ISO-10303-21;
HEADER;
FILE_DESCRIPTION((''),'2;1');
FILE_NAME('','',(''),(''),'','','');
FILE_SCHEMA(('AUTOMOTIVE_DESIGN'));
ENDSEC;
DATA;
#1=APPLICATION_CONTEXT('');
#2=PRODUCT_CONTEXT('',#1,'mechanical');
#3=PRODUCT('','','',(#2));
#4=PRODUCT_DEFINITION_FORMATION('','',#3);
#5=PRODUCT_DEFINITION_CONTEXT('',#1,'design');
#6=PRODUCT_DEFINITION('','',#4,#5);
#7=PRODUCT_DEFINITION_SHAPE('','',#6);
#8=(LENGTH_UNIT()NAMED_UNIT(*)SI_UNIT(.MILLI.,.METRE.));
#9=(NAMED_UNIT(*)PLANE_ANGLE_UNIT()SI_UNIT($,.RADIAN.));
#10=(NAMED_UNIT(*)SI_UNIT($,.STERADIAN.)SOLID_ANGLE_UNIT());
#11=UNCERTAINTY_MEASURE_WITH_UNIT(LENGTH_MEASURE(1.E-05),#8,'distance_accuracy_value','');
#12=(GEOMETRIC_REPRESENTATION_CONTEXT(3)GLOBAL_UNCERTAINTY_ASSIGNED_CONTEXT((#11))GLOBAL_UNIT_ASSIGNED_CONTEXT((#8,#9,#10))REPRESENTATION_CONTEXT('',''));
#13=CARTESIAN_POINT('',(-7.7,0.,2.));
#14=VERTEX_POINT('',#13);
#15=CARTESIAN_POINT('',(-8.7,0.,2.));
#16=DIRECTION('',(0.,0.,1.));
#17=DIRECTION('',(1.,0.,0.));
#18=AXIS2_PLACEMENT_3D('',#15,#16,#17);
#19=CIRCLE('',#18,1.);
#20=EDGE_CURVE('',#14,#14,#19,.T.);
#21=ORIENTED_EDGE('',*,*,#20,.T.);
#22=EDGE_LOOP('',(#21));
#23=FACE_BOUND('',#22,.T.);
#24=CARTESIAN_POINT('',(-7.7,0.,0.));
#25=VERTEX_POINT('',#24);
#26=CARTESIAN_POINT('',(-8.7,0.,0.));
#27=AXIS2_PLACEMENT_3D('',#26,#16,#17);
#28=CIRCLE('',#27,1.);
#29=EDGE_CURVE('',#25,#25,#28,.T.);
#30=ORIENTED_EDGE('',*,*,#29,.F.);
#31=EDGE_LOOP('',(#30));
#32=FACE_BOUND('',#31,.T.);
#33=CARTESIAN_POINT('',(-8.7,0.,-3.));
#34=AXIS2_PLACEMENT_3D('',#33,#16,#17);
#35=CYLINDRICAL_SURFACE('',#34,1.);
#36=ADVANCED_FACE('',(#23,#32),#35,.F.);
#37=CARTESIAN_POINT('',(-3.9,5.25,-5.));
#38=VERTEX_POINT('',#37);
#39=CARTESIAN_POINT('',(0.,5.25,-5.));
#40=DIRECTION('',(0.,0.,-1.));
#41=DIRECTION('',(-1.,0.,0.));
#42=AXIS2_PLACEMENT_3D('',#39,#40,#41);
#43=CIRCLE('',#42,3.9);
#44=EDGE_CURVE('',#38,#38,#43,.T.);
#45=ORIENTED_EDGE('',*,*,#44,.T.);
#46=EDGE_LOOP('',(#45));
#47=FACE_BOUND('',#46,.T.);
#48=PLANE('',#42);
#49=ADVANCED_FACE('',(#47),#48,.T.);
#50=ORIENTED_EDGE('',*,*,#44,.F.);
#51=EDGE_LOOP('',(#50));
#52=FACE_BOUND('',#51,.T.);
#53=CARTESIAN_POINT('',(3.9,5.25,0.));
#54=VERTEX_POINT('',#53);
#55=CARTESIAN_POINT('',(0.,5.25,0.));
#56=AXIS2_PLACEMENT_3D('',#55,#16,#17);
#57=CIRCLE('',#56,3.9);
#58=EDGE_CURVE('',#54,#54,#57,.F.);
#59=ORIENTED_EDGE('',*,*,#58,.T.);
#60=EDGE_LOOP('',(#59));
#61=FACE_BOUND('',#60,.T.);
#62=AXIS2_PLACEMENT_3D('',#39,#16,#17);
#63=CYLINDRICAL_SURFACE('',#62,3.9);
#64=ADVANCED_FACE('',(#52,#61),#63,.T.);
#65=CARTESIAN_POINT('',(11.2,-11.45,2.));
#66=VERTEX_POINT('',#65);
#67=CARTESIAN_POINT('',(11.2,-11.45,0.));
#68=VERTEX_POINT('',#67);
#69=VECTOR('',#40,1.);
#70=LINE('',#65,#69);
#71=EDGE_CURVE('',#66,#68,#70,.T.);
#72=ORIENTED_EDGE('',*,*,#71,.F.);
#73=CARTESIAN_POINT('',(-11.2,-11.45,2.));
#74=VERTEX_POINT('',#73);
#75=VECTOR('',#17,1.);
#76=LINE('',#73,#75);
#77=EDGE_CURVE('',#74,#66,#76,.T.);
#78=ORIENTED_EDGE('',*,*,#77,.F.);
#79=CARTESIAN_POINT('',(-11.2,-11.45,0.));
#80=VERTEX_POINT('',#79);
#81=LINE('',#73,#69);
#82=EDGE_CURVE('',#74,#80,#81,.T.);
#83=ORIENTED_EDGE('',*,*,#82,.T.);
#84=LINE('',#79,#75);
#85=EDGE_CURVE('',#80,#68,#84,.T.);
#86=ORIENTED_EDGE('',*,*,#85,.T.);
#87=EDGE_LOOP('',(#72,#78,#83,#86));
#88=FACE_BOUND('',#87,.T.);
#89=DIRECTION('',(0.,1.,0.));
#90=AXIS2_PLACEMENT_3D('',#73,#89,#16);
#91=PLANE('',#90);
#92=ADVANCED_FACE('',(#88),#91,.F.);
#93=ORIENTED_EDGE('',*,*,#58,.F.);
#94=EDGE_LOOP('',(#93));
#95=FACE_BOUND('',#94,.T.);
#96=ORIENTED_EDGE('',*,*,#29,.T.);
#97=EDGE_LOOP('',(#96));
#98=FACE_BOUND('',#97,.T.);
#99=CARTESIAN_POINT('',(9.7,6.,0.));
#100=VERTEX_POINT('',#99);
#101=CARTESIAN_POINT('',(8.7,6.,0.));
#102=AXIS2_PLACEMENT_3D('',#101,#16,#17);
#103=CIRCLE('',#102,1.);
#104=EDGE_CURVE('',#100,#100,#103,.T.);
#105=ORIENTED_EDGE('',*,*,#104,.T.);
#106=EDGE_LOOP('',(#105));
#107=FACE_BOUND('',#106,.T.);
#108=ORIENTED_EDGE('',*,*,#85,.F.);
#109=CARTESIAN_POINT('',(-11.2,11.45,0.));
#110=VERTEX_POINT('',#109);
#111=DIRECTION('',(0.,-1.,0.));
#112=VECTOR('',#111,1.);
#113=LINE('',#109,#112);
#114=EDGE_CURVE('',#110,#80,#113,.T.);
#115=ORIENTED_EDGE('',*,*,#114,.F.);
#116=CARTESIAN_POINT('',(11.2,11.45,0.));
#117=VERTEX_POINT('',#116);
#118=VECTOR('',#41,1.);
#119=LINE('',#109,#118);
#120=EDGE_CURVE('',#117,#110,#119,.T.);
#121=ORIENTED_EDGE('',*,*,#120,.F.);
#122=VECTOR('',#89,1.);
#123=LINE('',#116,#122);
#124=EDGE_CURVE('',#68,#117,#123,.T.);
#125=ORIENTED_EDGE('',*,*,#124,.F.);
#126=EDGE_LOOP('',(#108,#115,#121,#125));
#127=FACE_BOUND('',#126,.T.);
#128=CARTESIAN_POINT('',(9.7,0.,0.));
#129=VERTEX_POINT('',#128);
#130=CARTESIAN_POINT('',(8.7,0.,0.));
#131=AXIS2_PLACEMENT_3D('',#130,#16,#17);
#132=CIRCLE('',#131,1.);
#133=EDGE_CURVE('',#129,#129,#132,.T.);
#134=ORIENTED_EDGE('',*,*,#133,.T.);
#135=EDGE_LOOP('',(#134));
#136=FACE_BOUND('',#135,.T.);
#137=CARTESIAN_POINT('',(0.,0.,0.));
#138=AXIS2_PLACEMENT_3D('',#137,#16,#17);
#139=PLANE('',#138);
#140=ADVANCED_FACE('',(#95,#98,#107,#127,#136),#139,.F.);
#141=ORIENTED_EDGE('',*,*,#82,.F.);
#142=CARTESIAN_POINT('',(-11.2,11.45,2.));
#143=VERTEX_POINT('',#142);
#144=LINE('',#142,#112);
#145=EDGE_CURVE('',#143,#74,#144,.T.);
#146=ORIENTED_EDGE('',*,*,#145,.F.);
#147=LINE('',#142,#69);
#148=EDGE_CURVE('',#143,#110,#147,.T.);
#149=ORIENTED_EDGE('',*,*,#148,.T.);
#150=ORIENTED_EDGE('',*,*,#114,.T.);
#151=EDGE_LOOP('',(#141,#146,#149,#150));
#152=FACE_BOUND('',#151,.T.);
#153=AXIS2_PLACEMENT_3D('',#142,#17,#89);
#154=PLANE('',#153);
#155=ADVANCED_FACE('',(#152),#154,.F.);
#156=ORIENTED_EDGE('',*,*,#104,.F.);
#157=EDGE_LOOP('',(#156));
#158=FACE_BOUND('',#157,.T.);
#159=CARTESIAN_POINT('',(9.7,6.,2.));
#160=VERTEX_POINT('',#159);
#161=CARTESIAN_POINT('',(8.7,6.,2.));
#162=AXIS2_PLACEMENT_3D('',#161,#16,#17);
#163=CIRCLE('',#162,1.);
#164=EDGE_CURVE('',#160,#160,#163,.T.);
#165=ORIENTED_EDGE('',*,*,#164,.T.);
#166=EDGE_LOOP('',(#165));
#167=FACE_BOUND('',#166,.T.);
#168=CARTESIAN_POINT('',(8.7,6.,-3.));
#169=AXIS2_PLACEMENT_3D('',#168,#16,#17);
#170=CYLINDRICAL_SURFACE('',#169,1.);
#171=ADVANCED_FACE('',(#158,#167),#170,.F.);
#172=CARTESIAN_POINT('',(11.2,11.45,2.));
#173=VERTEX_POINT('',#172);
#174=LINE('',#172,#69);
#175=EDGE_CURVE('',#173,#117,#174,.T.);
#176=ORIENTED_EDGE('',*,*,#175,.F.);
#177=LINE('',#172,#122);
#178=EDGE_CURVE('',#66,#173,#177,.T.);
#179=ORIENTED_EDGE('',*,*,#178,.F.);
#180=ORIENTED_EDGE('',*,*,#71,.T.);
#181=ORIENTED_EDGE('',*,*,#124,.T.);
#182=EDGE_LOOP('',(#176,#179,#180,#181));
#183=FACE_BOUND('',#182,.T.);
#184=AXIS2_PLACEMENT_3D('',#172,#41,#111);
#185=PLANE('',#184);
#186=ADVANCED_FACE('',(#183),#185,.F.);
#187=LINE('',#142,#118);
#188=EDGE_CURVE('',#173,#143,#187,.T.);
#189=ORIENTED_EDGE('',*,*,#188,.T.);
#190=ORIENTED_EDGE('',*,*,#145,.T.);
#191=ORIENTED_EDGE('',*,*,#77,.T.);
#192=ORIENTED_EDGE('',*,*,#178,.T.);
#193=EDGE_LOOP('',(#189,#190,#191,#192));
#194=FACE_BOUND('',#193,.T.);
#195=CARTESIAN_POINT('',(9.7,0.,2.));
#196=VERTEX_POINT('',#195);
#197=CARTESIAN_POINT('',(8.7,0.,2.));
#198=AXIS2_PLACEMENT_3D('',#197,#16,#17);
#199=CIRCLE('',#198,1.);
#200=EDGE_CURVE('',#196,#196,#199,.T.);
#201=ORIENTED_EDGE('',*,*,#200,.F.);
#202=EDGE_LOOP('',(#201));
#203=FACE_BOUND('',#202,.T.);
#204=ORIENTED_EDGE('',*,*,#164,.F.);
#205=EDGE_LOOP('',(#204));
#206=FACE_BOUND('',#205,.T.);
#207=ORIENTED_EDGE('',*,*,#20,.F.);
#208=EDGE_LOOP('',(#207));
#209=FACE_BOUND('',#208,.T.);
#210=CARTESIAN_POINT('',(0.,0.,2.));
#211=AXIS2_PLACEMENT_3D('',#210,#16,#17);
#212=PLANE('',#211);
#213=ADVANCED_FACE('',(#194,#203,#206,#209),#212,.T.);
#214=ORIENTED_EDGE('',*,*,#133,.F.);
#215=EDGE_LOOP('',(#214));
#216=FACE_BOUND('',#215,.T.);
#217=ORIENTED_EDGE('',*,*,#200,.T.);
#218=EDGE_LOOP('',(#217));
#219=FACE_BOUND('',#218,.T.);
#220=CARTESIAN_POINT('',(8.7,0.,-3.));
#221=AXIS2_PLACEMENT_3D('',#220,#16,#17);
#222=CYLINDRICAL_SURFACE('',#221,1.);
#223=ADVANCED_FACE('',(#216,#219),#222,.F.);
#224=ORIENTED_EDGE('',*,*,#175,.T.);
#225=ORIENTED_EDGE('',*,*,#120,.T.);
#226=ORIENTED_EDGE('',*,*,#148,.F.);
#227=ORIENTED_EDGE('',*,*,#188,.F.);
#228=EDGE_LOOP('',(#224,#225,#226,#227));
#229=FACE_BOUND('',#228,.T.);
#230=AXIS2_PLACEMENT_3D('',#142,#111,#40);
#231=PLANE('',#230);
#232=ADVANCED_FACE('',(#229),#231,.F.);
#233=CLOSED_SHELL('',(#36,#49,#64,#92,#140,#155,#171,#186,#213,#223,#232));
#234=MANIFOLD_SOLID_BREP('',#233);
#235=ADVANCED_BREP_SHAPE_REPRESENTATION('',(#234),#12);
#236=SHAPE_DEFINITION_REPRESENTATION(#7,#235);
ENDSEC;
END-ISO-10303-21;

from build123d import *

# Parameters (mm, degrees)
SKETCH1_W           = 22.4
SKETCH1_H           = 22.9
BOSS_EXTRUDE1_DEPTH = 2
SKETCH2_R           = 1
CUT_EXTRUDE1_DEPTH  = 5
SKETCH4_R           = 3.9
BOSS_EXTRUDE3_DEPTH = 5


with BuildPart() as part:
    # Sketch1 → Boss-Extrude1 (new body)
    with BuildSketch(Plane.XY):
        Rectangle(SKETCH1_W, SKETCH1_H)
    extrude(amount=BOSS_EXTRUDE1_DEPTH)

    # Sketch2 → Cut-Extrude1 (cut)
    with BuildSketch(Plane.XY.offset(2)):
        with Locations((-8.7, 0)):
            Circle(SKETCH2_R)
        with Locations((8.7, 0)):
            Circle(SKETCH2_R)
        with Locations((8.7, 6)):
            Circle(SKETCH2_R)
    extrude(amount=-CUT_EXTRUDE1_DEPTH, mode=Mode.SUBTRACT)

    # Sketch4 → Boss-Extrude3 (add)
    with BuildSketch(Plane(origin=(0, 0, 0), x_dir=(-1, 0, 0), z_dir=(0, 0, -1))):
        with Locations((0, 5.25)):
            Circle(SKETCH4_R)
    extrude(amount=BOSS_EXTRUDE3_DEPTH)


solid = part.part
